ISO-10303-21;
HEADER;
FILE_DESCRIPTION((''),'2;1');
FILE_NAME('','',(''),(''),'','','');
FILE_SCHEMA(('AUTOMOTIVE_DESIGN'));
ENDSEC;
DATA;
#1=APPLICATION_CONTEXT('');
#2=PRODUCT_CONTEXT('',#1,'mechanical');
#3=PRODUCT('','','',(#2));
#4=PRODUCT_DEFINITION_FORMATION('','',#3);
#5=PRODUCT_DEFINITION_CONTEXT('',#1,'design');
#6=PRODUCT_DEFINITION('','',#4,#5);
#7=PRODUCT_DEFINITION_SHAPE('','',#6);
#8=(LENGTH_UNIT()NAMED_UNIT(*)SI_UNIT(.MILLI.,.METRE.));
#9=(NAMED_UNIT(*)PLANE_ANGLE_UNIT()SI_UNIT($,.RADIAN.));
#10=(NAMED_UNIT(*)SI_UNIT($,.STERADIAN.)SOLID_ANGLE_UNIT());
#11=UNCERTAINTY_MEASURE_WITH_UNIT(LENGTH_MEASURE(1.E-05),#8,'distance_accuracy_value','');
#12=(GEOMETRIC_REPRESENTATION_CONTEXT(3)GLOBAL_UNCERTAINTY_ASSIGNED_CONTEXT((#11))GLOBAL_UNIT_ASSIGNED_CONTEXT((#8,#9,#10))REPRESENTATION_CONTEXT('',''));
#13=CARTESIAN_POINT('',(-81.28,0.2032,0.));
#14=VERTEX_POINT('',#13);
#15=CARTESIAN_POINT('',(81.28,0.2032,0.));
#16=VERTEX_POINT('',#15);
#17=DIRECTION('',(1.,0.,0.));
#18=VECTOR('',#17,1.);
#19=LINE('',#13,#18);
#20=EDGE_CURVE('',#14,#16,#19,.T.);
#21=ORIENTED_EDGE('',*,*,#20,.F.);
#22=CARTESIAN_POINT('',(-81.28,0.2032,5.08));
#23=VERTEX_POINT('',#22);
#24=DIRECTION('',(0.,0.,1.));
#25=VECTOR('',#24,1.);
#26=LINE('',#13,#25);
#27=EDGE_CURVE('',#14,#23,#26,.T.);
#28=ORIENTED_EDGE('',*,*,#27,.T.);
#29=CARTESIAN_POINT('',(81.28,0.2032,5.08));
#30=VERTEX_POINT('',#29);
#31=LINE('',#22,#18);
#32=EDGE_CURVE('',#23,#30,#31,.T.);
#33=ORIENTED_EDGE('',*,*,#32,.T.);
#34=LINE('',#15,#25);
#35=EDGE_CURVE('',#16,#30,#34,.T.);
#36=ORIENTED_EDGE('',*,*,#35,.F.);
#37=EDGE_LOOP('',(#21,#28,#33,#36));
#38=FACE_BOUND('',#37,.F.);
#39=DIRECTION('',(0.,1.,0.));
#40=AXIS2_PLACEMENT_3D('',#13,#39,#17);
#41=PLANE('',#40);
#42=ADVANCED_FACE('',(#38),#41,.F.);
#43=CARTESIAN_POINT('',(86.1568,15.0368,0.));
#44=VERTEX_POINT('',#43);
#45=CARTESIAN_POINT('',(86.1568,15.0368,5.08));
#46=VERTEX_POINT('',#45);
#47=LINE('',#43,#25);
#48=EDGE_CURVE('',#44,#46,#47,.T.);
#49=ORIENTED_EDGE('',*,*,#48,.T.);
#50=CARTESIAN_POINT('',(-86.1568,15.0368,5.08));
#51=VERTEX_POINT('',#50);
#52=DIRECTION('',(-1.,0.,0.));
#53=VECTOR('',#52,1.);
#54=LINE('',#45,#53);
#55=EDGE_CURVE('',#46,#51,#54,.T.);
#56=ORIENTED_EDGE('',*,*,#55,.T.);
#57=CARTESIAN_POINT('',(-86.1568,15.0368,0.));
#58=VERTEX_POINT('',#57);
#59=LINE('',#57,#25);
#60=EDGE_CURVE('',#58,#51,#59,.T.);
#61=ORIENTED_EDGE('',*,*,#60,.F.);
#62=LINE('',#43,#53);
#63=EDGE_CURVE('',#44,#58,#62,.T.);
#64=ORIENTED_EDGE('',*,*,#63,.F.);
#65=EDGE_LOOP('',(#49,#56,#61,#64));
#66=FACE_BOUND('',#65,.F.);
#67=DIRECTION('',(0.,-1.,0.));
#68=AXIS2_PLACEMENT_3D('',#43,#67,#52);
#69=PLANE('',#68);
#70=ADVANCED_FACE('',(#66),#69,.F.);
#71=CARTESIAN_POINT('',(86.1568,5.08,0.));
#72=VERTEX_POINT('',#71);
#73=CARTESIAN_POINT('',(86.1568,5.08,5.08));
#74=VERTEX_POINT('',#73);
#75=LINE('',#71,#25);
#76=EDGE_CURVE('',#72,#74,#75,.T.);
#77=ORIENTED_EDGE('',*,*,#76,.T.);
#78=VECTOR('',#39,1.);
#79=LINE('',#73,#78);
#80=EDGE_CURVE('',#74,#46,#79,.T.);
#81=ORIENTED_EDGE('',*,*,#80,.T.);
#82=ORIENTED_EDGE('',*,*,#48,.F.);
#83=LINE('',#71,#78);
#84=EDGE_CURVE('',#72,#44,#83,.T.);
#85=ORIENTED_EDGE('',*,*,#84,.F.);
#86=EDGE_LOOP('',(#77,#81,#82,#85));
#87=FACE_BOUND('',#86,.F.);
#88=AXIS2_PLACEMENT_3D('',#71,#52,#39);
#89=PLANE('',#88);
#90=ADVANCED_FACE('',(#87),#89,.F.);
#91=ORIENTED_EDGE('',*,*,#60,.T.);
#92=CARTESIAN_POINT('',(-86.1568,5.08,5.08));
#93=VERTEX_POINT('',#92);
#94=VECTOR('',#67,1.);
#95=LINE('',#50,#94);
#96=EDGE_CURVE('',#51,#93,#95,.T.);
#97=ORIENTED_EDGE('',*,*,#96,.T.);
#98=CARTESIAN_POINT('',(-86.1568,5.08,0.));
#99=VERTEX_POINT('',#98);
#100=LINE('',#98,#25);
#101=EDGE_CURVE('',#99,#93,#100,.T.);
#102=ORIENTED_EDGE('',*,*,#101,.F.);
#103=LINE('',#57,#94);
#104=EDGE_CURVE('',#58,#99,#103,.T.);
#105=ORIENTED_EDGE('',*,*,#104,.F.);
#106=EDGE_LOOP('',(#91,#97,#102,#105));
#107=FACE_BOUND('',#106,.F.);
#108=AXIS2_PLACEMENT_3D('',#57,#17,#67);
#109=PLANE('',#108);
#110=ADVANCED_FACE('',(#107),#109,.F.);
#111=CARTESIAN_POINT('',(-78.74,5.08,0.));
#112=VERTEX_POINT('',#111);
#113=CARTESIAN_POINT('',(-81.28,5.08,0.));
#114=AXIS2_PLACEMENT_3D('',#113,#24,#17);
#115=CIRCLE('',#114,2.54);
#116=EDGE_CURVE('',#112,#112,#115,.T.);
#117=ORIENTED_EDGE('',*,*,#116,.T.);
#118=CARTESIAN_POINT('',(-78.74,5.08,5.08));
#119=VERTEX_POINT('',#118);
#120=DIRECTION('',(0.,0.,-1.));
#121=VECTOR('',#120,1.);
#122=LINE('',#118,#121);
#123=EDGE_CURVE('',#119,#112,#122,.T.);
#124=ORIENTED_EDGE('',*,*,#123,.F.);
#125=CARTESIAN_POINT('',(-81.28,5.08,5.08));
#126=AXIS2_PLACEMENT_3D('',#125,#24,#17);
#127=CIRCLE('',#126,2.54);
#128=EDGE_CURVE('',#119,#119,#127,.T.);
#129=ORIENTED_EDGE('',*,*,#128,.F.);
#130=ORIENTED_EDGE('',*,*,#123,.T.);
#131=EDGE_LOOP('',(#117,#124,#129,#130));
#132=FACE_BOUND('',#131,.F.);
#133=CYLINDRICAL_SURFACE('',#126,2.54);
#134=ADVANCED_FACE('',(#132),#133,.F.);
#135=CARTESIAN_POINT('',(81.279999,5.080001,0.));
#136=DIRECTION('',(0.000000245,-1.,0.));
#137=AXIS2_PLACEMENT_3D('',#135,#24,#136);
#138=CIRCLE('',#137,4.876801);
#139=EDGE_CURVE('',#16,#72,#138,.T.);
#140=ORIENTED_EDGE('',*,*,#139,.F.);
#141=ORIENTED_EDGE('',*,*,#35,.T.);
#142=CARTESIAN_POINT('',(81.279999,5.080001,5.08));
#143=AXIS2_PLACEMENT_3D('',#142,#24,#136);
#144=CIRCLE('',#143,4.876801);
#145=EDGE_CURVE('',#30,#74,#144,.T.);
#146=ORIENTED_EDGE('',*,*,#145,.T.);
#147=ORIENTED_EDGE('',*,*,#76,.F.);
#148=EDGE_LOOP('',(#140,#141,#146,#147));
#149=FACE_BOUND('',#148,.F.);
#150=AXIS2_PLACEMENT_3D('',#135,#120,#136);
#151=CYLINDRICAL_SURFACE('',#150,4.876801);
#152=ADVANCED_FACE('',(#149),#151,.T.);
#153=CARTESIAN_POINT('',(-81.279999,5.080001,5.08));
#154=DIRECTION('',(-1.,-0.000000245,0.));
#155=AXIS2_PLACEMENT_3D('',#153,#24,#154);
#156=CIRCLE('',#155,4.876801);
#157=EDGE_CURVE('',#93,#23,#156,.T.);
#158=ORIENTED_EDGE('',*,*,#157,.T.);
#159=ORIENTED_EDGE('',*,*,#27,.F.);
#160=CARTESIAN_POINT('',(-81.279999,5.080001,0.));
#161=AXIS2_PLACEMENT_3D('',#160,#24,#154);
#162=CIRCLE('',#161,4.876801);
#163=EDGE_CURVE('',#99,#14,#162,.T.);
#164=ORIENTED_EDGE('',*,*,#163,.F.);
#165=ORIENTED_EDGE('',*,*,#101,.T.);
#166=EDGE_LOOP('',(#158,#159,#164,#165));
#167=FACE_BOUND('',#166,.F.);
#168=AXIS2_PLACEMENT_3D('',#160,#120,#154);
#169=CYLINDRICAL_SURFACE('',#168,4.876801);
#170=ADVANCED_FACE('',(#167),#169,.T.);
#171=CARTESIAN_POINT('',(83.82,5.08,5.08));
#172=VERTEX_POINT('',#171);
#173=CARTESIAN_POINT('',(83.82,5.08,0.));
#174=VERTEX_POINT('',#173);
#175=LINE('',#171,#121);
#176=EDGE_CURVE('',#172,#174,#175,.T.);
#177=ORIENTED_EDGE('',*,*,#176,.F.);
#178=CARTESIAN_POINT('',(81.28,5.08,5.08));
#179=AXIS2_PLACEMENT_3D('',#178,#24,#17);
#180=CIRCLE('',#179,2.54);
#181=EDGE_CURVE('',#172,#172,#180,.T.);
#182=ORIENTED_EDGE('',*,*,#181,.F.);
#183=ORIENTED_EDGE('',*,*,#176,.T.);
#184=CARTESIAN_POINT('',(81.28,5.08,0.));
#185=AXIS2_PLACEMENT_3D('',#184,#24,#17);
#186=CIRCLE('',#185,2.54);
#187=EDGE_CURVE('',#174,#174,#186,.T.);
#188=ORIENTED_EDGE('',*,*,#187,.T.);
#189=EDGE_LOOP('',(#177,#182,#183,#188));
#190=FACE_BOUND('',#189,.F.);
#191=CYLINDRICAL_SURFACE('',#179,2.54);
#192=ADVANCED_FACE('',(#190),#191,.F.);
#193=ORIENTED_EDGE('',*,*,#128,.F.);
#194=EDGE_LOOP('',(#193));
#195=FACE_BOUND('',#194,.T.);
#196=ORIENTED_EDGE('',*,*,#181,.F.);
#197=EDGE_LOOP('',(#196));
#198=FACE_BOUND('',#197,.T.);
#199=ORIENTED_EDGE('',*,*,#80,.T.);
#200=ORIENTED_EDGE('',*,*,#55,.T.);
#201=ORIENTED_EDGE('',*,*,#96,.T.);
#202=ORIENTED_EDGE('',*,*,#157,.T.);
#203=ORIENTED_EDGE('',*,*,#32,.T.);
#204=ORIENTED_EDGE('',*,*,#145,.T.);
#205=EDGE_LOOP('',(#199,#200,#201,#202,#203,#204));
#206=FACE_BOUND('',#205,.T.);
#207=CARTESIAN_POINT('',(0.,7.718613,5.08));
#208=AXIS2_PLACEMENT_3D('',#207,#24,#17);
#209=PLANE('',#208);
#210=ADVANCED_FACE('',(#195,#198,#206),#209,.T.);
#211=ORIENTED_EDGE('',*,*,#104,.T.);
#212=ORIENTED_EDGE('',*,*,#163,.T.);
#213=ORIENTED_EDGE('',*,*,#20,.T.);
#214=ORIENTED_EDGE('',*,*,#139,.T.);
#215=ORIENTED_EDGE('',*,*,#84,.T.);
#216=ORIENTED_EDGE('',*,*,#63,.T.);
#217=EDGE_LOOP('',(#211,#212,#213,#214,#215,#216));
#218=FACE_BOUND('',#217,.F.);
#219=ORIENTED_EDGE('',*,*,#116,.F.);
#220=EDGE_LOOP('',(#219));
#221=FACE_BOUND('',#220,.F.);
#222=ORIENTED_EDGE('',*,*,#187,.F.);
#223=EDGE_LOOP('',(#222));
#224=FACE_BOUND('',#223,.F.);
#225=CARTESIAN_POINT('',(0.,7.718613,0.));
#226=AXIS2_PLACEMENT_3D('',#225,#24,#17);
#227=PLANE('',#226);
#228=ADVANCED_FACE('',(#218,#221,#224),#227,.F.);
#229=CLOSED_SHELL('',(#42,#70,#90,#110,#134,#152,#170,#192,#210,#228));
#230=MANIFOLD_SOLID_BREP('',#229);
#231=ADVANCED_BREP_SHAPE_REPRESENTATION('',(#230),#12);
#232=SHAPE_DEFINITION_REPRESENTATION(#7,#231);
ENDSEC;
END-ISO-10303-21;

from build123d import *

# Parameters (mm, degrees)
F1_DEPTH = 5.08
F2_R     = 2.54
F3_DEPTH = 5.081


with BuildPart() as f1:
    # F0 (on Top) → F1 (new body)
    with BuildSketch(Plane.XY):
        with BuildLine():
            Line((86.1568, 15.0368), (-86.1568, 15.0368))
            Line((-86.1568, 15.0368), (-86.1568, 5.08))
            ThreePointArc((-86.1568, 5.08), (-84.728418, 1.631582), (-81.28, 0.2032))
            Line((-81.28, 0.2032), (81.28, 0.2032))
            ThreePointArc((81.28, 0.2032), (84.728418, 1.631582), (86.1568, 5.08))
            Line((86.1568, 5.08), (86.1568, 15.0368))
        make_face()
    extrude(amount=F1_DEPTH)

    # F2 (on face) → F3 (cut, through all)
    with BuildSketch(Plane.XY.offset(5.08)):
        with Locations((-81.28, 5.08)):
            Circle(F2_R)
        with Locations((81.28, 5.08)):
            Circle(F2_R)
    extrude(amount=-F3_DEPTH, mode=Mode.SUBTRACT)


solid = f1.part
